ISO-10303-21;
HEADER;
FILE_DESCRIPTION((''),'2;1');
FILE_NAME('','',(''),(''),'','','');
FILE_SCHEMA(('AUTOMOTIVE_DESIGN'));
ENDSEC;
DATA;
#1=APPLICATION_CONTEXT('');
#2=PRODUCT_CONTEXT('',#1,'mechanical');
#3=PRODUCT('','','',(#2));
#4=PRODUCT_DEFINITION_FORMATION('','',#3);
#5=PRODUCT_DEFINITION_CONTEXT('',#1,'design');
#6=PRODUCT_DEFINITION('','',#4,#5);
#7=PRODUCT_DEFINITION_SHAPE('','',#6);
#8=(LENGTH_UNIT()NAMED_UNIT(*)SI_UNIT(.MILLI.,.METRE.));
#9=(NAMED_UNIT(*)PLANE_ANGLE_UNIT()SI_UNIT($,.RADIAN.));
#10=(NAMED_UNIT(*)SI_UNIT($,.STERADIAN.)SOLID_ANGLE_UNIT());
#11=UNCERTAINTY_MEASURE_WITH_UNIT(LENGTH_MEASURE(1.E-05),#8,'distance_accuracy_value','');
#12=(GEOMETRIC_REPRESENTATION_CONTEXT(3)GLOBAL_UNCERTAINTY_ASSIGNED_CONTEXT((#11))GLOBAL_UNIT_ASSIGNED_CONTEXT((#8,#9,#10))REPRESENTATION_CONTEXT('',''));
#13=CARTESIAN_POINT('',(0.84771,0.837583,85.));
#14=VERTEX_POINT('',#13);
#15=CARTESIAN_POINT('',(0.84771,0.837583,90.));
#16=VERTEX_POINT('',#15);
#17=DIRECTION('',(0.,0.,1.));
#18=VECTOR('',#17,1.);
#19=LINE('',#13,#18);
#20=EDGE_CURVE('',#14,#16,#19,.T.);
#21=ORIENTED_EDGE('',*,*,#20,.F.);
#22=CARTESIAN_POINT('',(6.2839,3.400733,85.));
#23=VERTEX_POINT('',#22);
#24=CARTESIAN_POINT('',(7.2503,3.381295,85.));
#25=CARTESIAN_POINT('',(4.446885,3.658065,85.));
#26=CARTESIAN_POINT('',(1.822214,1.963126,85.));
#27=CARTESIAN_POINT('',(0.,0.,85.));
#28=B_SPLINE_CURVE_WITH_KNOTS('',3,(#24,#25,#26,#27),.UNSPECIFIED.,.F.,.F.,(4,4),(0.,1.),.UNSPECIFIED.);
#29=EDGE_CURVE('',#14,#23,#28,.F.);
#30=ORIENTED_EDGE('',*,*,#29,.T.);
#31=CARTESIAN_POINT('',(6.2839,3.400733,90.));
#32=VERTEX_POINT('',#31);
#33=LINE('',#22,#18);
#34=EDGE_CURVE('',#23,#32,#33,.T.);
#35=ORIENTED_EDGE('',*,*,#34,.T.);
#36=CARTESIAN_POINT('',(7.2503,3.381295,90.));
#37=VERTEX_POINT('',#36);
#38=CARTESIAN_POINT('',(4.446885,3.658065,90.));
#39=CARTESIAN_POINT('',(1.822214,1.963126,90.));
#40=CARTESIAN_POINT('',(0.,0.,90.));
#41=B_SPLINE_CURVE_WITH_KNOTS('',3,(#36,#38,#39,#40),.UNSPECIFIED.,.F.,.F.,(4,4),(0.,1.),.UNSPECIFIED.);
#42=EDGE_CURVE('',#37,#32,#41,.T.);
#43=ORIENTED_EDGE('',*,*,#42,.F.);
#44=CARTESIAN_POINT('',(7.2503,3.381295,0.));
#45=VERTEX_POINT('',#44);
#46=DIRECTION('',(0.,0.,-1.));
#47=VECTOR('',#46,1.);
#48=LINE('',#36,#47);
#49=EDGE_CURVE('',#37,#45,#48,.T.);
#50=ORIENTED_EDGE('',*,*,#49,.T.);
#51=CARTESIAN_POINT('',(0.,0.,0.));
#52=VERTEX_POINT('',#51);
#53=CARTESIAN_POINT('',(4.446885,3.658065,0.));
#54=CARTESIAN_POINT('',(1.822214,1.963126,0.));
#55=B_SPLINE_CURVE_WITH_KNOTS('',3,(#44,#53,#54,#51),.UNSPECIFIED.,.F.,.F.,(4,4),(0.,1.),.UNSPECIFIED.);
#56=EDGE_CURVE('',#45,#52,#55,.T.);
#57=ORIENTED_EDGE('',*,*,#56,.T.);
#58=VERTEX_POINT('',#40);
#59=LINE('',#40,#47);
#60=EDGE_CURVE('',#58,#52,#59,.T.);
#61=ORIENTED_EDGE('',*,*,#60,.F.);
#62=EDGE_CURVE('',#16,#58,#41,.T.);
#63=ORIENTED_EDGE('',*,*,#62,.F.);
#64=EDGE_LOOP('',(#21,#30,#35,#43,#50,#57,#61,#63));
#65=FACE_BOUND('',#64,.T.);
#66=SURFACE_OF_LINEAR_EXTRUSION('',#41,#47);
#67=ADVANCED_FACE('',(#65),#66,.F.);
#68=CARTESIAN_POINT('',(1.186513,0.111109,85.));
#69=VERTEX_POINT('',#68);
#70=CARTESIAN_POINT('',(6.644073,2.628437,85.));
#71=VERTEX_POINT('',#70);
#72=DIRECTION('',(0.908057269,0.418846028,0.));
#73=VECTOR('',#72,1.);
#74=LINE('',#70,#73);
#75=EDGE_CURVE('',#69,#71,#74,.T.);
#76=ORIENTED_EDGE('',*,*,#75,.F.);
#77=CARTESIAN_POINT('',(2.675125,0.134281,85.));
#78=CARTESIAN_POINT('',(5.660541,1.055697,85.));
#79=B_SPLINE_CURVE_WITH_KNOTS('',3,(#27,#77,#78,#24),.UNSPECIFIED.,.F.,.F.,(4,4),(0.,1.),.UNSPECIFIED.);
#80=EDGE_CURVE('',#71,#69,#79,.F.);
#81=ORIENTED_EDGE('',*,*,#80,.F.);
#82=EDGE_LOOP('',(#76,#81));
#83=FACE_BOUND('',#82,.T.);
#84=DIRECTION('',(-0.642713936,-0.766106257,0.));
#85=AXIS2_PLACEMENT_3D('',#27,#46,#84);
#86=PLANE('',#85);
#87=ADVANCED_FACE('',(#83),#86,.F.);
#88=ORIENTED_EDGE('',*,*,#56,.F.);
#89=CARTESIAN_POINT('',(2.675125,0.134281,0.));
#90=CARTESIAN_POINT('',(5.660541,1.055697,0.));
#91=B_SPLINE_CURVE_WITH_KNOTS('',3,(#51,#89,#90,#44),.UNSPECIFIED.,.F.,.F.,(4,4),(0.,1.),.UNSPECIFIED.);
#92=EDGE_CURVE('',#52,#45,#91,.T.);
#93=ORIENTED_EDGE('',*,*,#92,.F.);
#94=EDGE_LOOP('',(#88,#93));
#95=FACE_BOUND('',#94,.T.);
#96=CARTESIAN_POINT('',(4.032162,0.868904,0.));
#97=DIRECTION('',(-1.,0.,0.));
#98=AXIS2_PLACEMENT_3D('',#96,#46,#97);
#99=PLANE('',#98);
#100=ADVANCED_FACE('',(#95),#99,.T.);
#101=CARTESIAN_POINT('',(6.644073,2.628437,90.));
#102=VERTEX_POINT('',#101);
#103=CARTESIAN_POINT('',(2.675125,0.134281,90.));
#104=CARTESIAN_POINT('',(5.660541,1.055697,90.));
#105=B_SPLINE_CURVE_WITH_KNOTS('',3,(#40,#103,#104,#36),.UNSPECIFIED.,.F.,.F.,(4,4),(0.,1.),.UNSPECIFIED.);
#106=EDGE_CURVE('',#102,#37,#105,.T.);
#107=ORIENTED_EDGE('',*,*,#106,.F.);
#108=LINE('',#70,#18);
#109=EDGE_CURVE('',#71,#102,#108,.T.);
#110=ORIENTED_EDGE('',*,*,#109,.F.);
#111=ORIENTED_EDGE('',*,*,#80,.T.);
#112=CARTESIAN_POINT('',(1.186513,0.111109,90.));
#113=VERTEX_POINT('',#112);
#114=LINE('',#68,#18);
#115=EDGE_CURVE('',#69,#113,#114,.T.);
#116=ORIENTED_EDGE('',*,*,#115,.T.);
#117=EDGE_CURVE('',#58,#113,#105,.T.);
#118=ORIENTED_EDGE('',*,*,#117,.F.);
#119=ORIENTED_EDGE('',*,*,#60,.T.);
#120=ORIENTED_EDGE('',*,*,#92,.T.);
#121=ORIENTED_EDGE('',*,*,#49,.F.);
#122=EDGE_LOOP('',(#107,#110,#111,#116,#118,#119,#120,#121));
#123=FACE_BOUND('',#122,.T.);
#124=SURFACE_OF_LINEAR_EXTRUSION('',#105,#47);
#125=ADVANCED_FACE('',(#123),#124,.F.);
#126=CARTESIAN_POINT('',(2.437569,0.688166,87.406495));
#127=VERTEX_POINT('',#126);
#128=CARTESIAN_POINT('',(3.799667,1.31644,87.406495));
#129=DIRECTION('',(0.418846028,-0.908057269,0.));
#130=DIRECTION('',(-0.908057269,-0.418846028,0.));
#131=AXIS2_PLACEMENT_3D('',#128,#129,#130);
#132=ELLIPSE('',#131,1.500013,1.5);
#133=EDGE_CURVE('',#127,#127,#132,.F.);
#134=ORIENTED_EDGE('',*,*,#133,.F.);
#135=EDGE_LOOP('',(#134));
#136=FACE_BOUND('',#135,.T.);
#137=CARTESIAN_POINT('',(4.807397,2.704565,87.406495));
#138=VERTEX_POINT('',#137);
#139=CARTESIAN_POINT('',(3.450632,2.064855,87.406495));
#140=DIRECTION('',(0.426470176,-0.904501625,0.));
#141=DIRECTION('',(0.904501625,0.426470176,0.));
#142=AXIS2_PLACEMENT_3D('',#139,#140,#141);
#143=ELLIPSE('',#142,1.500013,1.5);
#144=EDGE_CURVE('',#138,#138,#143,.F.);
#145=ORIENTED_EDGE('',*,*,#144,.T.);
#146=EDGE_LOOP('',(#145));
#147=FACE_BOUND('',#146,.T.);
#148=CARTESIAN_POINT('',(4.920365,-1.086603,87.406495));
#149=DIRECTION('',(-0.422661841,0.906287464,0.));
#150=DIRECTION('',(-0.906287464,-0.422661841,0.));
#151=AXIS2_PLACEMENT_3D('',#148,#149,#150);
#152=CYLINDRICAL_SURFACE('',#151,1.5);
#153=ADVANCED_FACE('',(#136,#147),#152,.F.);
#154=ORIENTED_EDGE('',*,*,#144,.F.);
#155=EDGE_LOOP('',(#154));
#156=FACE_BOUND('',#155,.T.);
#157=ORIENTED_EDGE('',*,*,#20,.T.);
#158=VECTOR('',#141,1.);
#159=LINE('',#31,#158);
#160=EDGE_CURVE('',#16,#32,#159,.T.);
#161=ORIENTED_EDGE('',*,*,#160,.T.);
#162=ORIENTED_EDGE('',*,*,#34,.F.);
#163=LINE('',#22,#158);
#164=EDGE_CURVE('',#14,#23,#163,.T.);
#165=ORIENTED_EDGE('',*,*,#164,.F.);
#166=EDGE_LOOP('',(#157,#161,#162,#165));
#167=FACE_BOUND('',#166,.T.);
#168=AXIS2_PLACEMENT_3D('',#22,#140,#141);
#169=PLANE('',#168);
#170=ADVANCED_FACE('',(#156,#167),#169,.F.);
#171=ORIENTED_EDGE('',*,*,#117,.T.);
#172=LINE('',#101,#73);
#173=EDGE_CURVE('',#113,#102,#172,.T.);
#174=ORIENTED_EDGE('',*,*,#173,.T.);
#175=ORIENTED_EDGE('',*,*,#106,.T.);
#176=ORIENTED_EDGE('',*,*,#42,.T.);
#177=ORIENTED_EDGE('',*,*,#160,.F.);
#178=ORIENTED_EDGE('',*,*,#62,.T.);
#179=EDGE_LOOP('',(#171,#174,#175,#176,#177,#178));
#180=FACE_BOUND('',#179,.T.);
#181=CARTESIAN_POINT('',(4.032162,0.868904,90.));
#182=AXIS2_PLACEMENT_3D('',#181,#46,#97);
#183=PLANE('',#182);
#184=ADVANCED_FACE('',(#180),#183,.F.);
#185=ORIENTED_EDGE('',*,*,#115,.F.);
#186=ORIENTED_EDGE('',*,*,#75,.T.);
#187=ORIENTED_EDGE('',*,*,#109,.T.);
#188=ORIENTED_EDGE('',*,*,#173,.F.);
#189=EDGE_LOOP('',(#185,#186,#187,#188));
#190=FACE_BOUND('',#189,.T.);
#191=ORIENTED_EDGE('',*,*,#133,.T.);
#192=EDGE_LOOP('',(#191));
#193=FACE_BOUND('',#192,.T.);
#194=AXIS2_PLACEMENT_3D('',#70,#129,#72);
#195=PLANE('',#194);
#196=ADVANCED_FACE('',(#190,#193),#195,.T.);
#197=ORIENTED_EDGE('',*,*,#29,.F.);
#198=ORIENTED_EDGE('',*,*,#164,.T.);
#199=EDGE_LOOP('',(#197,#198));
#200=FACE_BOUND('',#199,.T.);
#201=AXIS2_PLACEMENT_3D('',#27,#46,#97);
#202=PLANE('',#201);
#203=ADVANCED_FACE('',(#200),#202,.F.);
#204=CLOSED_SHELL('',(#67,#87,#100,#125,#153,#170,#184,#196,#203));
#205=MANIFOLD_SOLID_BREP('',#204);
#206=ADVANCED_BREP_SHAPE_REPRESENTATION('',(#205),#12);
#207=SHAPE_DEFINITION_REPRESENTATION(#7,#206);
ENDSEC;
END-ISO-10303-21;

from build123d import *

# Parameters (mm, degrees)
EXTRUDE_1_DEPTH          = 90
CUT_EXTRUDE_1_DEPTH      = 91.355974503
CUT_EXTRUDE_1_DEPTH_BACK = 91.355974503
SKETCH_3_R               = 1.5
CUT_EXTRUDE_2_DEPTH      = 5


with BuildPart() as part:
    # 草图1 → 凸台-拉伸1 (new body)
    with BuildSketch(Plane.XY):
        with BuildLine():
            add(Edge.make_bspline(
                [(0, 0), (1.822213929, 1.963125521), (4.44688488, 3.658064856), (7.250299715, 3.38129473)],
                knots=[0, 0, 0, 0, 1, 1, 1, 1], degree=3))
            add(Edge.make_bspline(
                [(0, 0), (2.675125031, 0.134281362), (5.660541257, 1.055697067), (7.250299715, 3.38129473)],
                knots=[0, 0, 0, 0, 1, 1, 1, 1], degree=3))
        make_face()
    extrude(amount=EXTRUDE_1_DEPTH)

    # 草图3 → 切除-拉伸1 (cut, two sides: drawn at the far end of the back side and taken through both)
    with BuildSketch(Plane(origin=(0, 0, 0), x_dir=(-0.9062874643291001, -0.42266184119214045, 0), z_dir=(-0.42266184119214045, 0.9062874643291001, 0)).offset(-CUT_EXTRUDE_1_DEPTH_BACK)):
        with Locations((-4, 87.406495382)):
            Circle(SKETCH_3_R)
    extrude(amount=CUT_EXTRUDE_1_DEPTH + CUT_EXTRUDE_1_DEPTH_BACK, mode=Mode.SUBTRACT)

    # 草图4 → 切除-拉伸2 (cut)
    with BuildSketch(Plane.XY.offset(90)):
        Polygon((6.283899983, 3.400732971), (0.847709565, 0.837583253), (-0.20408354, 3.068333785), (5.375308773, 5.699002827), align=None)
    cut_extrude_2 = extrude(amount=-CUT_EXTRUDE_2_DEPTH, mode=Mode.SUBTRACT)

    # 镜向1: 切除-拉伸2 across plane
    add(cut_extrude_2.mirror(Plane(origin=(0, 0, 0), x_dir=(0, 0, 1), z_dir=(-0.42266184119214045, 0.9062874643291001, 0))), mode=Mode.SUBTRACT)


solid = part.part
